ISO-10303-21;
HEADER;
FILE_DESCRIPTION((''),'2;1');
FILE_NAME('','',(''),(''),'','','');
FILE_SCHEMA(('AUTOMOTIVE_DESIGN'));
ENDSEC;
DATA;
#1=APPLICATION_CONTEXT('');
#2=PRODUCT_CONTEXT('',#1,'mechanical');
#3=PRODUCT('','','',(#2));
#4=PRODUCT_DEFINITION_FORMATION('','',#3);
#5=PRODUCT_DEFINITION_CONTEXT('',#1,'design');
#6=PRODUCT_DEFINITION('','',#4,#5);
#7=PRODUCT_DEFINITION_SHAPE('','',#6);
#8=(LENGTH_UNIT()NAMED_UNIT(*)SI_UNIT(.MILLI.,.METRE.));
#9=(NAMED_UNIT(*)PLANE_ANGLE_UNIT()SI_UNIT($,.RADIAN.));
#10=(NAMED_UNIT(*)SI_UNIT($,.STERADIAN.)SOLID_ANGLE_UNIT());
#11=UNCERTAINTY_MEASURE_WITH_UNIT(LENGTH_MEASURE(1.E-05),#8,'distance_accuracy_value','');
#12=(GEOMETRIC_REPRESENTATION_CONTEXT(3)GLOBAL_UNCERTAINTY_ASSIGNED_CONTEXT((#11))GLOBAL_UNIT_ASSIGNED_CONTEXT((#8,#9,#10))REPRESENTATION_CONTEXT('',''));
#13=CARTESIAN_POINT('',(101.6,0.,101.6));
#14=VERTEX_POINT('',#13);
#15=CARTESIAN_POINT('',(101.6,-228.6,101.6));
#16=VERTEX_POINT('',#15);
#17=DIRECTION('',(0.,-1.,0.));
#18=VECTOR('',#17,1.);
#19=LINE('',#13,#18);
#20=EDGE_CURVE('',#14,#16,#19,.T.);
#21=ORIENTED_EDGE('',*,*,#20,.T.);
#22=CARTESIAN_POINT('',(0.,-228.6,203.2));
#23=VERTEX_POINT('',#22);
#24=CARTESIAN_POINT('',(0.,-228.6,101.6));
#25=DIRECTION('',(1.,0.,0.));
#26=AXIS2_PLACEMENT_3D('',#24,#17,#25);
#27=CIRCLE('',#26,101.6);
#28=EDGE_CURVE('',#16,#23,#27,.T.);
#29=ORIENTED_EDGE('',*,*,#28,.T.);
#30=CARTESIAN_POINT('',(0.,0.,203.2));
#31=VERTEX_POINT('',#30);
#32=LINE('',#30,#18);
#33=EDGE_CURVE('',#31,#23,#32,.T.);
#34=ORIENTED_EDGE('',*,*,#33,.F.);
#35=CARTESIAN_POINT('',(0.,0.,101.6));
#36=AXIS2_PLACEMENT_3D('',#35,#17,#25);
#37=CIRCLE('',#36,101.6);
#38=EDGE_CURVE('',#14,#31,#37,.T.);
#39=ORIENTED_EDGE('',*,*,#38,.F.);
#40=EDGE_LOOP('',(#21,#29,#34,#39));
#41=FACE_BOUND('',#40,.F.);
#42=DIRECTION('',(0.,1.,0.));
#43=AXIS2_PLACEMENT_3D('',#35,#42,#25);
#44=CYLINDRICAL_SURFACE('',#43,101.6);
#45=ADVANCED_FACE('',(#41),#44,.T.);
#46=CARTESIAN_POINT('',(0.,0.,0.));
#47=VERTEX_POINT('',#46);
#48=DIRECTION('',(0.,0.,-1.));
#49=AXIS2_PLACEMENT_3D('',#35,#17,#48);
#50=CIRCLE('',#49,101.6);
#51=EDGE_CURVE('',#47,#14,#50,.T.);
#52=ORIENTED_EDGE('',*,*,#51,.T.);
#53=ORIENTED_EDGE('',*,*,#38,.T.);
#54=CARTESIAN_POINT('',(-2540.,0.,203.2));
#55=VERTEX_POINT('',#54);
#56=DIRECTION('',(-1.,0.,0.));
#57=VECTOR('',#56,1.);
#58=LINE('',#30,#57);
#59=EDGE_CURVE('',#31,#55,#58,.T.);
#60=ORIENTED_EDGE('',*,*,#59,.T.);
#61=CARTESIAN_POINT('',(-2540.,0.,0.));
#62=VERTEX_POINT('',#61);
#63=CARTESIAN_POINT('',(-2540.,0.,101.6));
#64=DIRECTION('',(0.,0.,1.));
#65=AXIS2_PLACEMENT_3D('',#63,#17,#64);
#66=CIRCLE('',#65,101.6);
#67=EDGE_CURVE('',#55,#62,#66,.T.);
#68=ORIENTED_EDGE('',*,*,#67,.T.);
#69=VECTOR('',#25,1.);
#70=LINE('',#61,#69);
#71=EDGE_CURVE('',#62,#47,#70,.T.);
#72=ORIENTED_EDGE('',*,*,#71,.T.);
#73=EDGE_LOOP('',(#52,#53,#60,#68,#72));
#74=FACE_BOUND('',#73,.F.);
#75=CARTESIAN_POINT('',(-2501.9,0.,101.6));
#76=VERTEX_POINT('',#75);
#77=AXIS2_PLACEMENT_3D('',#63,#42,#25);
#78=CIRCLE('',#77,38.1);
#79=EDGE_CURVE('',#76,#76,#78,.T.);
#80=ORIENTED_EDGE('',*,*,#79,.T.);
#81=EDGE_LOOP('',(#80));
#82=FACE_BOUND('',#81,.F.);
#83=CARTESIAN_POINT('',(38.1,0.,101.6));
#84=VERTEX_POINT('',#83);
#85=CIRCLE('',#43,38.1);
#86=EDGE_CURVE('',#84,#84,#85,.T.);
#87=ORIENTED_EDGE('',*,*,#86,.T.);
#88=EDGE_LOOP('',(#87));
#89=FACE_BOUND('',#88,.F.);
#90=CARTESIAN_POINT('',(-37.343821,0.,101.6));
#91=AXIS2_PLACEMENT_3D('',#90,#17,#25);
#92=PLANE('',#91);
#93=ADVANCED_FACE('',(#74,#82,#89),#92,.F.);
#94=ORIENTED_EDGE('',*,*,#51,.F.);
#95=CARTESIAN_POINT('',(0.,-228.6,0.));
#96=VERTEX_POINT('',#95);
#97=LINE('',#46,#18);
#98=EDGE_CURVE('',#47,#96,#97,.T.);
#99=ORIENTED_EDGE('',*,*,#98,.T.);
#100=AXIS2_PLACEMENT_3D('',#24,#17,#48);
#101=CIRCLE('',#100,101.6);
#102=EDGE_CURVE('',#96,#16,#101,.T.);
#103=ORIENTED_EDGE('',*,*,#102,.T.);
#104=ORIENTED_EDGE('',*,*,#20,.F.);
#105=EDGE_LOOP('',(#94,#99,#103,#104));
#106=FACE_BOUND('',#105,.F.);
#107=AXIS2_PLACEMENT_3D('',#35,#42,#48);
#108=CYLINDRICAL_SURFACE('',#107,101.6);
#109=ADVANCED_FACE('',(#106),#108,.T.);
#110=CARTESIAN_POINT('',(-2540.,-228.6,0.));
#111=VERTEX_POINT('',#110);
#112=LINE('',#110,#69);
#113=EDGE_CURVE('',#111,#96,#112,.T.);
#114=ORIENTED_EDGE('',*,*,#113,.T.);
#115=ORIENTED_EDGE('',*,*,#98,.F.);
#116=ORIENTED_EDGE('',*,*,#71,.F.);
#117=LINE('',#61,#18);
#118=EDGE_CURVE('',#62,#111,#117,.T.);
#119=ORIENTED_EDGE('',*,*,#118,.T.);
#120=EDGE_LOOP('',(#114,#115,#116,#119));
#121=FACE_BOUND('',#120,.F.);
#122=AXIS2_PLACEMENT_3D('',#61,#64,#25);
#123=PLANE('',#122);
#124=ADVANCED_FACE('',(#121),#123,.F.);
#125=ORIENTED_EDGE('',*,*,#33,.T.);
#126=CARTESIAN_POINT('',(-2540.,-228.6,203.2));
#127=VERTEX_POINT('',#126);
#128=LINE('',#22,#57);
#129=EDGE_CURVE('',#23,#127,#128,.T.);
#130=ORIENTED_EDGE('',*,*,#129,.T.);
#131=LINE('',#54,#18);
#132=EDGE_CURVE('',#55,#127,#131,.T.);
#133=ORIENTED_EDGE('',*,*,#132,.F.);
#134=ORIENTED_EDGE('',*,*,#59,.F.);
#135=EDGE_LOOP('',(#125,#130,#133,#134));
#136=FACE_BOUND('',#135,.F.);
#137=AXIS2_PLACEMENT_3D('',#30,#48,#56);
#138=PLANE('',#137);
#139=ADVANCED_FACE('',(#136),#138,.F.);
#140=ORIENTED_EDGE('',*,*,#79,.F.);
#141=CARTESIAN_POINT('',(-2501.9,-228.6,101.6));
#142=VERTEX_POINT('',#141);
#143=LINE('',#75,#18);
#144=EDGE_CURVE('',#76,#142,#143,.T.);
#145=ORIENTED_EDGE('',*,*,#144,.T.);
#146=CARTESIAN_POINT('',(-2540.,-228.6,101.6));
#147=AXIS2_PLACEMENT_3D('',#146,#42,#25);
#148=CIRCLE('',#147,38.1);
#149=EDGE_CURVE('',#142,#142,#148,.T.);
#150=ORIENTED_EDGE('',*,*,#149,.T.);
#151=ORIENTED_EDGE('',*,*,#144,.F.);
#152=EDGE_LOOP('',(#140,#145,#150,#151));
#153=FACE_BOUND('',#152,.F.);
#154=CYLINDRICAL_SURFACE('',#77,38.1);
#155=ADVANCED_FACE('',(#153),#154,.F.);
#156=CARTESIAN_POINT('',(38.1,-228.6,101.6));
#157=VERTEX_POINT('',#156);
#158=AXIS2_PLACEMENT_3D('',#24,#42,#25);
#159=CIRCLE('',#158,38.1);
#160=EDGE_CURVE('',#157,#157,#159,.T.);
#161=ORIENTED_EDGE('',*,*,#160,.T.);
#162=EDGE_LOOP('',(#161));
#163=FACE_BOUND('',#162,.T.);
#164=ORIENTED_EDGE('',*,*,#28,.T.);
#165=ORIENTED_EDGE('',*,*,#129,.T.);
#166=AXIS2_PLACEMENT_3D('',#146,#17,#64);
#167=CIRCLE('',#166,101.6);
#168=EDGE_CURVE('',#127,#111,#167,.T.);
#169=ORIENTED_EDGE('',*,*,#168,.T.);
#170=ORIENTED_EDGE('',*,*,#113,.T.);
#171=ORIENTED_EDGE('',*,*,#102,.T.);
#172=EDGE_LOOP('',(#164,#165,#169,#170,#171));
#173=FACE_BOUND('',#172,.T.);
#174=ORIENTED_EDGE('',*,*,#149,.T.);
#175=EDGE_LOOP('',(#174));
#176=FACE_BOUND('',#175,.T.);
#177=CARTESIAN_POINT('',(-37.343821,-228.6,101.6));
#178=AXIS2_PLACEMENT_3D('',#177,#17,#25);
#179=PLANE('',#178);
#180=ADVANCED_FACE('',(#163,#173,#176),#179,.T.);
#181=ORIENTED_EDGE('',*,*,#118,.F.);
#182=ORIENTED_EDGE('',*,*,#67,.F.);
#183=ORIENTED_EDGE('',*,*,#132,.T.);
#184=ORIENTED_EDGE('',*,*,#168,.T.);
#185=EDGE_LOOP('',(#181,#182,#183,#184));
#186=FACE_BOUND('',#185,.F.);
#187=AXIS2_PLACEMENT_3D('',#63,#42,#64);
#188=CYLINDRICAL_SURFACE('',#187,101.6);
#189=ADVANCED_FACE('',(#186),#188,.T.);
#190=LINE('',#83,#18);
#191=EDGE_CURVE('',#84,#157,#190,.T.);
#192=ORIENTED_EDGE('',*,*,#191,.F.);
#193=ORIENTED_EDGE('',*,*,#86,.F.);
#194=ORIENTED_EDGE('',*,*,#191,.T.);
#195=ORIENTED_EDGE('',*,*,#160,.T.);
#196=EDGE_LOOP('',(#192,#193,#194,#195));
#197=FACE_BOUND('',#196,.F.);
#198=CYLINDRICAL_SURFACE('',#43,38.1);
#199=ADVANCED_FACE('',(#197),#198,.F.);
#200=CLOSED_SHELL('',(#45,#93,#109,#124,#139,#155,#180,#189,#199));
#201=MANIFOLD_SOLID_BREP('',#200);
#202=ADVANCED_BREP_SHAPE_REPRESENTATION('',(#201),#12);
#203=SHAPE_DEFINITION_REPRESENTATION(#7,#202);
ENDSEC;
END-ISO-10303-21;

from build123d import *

# Parameters (mm, degrees)
F1_DEPTH = 228.6


with BuildPart() as f1:
    # F0 (on Front) → F1 (new body)
    with BuildSketch(Plane.XZ):
        with BuildLine():
            ThreePointArc((0, 203.2), (-101.6, 101.6), (0, 0))
            Line((0, 0), (0, 63.5))
            ThreePointArc((0, 63.5), (-38.1, 101.6), (0, 139.7))
            Line((0, 139.7), (0, 203.2))
        make_face()
        with BuildLine():
            Line((-2540, 0), (0, 0))
            ThreePointArc((0, 0), (-101.6, 101.6), (0, 203.2))
            Line((0, 203.2), (-2540, 203.2))
            ThreePointArc((-2540, 203.2), (-2468.1579510314, 173.4420489686), (-2438.4, 101.6))
            ThreePointArc((-2438.4, 101.6), (-2468.1579510314, 29.7579510314), (-2540, 0))
        make_face()
        with BuildLine():
            Line((0, 63.5), (0, 0))
            ThreePointArc((0, 0), (71.8420489686, 29.7579510314), (101.6, 101.6))
            ThreePointArc((101.6, 101.6), (71.8420489686, 173.4420489686), (0, 203.2))
            Line((0, 203.2), (0, 139.7))
            ThreePointArc((0, 139.7), (26.9407683632, 128.5407683632), (38.1, 101.6))
            ThreePointArc((38.1, 101.6), (26.9407683632, 74.6592316368), (0, 63.5))
        make_face()
        with BuildLine():
            ThreePointArc((-2540, 203.2), (-2641.6, 101.6), (-2540, 0))
            Line((-2540, 0), (-2540, 63.5))
            ThreePointArc((-2540, 63.5), (-2578.1, 101.6), (-2540, 139.7))
            Line((-2540, 139.7), (-2540, 203.2))
        make_face()
        with BuildLine():
            Line((-2540, 63.5), (-2540, 0))
            ThreePointArc((-2540, 0), (-2468.1579510314, 29.7579510314), (-2438.4, 101.6))
            ThreePointArc((-2438.4, 101.6), (-2468.1579510314, 173.4420489686), (-2540, 203.2))
            Line((-2540, 203.2), (-2540, 139.7))
            ThreePointArc((-2540, 139.7), (-2513.0592316368, 128.5407683632), (-2501.9, 101.6))
            ThreePointArc((-2501.9, 101.6), (-2513.0592316368, 74.6592316368), (-2540, 63.5))
        make_face()
    extrude(amount=F1_DEPTH)


solid = f1.part
